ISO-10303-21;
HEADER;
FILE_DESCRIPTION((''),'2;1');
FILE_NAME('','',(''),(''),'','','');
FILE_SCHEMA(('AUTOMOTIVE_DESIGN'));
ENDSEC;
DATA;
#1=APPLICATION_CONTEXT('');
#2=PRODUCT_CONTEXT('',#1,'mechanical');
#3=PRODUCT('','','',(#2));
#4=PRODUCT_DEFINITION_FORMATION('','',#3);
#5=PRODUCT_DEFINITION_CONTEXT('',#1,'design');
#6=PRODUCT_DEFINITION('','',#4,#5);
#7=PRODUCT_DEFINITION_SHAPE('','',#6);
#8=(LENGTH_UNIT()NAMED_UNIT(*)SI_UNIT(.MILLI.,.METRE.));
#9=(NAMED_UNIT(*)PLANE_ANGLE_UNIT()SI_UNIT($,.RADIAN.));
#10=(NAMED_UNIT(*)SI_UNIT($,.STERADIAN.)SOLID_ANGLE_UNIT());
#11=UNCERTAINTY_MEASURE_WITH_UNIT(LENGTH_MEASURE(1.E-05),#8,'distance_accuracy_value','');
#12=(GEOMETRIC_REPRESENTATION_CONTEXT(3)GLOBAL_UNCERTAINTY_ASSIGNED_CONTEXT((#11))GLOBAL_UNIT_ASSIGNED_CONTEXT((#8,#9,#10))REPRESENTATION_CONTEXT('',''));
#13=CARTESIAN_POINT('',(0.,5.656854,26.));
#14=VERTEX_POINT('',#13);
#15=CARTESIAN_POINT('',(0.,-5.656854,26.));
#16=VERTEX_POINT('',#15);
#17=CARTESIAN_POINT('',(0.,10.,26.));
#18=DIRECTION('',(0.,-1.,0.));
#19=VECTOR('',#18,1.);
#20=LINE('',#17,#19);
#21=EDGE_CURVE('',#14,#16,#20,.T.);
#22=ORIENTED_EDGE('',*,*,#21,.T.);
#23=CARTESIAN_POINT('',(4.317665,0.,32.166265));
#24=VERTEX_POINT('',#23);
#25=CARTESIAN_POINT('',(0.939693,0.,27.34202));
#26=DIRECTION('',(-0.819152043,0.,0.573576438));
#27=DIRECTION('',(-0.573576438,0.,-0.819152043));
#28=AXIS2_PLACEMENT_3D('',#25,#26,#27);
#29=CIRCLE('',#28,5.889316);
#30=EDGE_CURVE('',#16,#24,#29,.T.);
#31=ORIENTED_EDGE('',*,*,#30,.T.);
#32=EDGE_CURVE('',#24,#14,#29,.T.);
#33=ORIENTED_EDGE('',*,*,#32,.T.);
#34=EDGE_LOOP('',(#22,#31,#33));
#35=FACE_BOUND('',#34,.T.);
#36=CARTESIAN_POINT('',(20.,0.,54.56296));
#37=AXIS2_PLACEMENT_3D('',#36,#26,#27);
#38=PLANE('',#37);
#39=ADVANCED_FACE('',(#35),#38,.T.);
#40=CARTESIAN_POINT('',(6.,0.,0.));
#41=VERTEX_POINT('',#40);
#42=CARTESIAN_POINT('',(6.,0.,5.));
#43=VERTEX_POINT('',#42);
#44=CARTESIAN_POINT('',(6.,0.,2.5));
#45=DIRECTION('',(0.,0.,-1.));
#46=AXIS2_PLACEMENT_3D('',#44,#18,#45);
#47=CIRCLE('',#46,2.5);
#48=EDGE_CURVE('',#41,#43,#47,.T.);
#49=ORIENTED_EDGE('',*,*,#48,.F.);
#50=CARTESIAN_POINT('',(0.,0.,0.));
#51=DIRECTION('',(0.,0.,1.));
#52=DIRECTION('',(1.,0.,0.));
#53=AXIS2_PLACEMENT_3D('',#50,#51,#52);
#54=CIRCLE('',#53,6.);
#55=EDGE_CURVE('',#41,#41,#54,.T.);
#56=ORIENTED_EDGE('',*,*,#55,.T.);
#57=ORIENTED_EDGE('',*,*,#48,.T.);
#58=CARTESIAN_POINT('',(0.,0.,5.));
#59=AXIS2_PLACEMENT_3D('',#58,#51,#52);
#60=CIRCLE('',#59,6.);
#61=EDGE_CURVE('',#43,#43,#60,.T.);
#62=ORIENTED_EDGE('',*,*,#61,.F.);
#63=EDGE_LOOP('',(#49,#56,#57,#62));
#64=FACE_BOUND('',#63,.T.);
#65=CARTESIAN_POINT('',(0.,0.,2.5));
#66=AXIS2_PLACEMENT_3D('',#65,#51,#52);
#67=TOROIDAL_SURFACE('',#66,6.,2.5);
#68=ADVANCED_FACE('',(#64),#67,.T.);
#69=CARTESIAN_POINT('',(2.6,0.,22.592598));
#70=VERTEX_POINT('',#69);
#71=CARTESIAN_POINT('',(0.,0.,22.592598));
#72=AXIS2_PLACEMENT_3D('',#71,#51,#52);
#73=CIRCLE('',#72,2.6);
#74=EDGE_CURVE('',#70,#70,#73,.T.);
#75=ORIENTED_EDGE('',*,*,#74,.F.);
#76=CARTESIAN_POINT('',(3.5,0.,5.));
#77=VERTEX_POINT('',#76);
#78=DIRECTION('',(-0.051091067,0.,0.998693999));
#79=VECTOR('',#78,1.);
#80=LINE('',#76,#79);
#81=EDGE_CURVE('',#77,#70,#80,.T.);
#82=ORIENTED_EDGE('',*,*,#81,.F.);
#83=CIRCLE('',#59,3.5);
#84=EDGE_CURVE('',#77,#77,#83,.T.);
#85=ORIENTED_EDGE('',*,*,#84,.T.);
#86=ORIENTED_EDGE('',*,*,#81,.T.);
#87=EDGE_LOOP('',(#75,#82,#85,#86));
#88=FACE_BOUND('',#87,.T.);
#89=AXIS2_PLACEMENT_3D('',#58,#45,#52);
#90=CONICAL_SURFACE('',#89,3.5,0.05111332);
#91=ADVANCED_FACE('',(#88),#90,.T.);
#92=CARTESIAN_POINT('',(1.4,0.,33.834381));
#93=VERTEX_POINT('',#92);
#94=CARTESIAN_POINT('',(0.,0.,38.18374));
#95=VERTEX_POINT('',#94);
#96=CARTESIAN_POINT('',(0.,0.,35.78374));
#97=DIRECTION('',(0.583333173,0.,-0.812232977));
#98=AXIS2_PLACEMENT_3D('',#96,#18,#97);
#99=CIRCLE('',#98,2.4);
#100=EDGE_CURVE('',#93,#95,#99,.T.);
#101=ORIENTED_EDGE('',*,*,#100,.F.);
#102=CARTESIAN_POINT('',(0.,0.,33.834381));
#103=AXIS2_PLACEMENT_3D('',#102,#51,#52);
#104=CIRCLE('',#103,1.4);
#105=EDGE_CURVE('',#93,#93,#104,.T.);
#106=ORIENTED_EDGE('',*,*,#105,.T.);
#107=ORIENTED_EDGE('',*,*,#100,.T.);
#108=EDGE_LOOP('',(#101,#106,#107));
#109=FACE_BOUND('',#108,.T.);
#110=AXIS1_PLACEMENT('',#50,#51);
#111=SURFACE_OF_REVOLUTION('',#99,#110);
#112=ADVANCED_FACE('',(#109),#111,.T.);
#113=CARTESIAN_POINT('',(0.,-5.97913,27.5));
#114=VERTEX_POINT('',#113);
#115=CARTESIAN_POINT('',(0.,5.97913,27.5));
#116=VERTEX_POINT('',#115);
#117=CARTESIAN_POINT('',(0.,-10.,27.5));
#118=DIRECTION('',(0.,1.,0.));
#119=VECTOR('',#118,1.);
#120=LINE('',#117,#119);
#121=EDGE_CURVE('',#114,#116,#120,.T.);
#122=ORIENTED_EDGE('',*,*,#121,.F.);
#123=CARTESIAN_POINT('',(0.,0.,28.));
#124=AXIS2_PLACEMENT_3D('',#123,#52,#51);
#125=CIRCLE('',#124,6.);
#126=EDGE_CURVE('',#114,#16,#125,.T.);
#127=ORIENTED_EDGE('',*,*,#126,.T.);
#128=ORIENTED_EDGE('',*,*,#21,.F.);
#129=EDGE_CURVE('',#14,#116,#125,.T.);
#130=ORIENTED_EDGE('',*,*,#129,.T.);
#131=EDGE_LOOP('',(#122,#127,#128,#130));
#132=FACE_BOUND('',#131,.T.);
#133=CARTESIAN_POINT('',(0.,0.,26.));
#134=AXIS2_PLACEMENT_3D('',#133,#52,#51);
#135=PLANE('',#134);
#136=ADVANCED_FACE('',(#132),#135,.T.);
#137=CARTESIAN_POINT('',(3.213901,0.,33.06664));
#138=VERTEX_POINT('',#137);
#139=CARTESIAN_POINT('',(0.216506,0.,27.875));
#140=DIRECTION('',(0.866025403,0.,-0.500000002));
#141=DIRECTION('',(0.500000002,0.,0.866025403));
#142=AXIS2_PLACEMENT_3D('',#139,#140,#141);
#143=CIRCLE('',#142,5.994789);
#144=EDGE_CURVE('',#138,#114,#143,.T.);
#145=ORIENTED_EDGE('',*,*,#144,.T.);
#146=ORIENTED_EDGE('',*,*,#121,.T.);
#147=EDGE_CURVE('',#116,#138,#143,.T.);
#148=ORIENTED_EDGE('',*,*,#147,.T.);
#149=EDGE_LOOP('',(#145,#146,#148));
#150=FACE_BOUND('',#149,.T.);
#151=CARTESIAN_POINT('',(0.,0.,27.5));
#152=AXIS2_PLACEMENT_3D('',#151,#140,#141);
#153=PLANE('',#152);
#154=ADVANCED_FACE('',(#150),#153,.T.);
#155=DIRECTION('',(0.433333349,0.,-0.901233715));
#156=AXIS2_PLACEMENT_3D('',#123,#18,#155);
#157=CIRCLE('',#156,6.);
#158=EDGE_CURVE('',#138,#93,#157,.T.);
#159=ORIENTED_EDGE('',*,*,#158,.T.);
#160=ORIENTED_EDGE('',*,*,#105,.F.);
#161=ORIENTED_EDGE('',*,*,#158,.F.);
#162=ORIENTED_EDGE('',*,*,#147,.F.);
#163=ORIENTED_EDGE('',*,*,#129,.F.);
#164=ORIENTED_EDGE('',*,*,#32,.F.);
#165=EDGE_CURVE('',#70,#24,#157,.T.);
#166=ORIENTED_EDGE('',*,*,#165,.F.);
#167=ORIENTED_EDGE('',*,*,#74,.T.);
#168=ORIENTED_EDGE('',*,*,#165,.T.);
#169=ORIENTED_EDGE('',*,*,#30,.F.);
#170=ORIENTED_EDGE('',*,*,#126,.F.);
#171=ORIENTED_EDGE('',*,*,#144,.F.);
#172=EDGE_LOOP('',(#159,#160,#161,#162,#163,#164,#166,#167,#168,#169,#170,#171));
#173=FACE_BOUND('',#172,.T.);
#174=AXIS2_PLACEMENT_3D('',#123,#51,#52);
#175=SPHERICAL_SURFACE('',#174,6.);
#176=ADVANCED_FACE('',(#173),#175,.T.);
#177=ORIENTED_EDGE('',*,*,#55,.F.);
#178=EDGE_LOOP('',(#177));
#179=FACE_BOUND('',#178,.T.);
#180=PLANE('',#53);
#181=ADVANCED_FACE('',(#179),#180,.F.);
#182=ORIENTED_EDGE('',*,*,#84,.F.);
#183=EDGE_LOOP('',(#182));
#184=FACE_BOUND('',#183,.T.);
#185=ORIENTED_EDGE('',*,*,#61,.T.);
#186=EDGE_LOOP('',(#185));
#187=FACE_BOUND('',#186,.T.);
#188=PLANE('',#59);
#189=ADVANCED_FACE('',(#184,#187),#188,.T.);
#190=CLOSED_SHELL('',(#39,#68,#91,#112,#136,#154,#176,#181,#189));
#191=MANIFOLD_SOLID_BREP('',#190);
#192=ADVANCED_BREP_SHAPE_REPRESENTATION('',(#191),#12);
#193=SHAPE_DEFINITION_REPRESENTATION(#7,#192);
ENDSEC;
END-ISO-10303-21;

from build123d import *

# Parameters (mm, degrees)
PAD_DEPTH = 10


with BuildPart() as pad:
    # Sketch001 → Pad (new body, symmetric)
    with BuildSketch(Plane.XZ):
        Polygon((0, 26), (0, 27.5), (20, 62.141016), (20, 54.56296), align=None)
    extrude(amount=PAD_DEPTH, both=True)


with BuildPart() as cut001:
    # Sketch → Revolution (revolve)
    with BuildSketch(Plane.XZ):
        with BuildLine():
            Line((0, 0), (6, 0))
            ThreePointArc((6, 0), (8.5, 2.5), (6, 5))
            Line((6, 5), (0, 5))
            Line((0, 5), (0, 0))
        make_face()
        with BuildLine():
            Line((0, 5), (3.5, 5))
            Line((3.5, 5), (2.6, 22.592598))
            ThreePointArc((2.6, 22.592598), (5.966106, 28.63685), (1.4, 33.834381))
            ThreePointArc((1.4, 33.834381), (2.284564, 36.51911), (0, 38.18374))
            Line((0, 5), (0, 38.18374))
        make_face()
    revolve(axis=Axis((0, 0, 0), (0, 0, 1)))

    # Cut001: cut Pad
    add(pad.part, mode=Mode.SUBTRACT)


solid = cut001.part
